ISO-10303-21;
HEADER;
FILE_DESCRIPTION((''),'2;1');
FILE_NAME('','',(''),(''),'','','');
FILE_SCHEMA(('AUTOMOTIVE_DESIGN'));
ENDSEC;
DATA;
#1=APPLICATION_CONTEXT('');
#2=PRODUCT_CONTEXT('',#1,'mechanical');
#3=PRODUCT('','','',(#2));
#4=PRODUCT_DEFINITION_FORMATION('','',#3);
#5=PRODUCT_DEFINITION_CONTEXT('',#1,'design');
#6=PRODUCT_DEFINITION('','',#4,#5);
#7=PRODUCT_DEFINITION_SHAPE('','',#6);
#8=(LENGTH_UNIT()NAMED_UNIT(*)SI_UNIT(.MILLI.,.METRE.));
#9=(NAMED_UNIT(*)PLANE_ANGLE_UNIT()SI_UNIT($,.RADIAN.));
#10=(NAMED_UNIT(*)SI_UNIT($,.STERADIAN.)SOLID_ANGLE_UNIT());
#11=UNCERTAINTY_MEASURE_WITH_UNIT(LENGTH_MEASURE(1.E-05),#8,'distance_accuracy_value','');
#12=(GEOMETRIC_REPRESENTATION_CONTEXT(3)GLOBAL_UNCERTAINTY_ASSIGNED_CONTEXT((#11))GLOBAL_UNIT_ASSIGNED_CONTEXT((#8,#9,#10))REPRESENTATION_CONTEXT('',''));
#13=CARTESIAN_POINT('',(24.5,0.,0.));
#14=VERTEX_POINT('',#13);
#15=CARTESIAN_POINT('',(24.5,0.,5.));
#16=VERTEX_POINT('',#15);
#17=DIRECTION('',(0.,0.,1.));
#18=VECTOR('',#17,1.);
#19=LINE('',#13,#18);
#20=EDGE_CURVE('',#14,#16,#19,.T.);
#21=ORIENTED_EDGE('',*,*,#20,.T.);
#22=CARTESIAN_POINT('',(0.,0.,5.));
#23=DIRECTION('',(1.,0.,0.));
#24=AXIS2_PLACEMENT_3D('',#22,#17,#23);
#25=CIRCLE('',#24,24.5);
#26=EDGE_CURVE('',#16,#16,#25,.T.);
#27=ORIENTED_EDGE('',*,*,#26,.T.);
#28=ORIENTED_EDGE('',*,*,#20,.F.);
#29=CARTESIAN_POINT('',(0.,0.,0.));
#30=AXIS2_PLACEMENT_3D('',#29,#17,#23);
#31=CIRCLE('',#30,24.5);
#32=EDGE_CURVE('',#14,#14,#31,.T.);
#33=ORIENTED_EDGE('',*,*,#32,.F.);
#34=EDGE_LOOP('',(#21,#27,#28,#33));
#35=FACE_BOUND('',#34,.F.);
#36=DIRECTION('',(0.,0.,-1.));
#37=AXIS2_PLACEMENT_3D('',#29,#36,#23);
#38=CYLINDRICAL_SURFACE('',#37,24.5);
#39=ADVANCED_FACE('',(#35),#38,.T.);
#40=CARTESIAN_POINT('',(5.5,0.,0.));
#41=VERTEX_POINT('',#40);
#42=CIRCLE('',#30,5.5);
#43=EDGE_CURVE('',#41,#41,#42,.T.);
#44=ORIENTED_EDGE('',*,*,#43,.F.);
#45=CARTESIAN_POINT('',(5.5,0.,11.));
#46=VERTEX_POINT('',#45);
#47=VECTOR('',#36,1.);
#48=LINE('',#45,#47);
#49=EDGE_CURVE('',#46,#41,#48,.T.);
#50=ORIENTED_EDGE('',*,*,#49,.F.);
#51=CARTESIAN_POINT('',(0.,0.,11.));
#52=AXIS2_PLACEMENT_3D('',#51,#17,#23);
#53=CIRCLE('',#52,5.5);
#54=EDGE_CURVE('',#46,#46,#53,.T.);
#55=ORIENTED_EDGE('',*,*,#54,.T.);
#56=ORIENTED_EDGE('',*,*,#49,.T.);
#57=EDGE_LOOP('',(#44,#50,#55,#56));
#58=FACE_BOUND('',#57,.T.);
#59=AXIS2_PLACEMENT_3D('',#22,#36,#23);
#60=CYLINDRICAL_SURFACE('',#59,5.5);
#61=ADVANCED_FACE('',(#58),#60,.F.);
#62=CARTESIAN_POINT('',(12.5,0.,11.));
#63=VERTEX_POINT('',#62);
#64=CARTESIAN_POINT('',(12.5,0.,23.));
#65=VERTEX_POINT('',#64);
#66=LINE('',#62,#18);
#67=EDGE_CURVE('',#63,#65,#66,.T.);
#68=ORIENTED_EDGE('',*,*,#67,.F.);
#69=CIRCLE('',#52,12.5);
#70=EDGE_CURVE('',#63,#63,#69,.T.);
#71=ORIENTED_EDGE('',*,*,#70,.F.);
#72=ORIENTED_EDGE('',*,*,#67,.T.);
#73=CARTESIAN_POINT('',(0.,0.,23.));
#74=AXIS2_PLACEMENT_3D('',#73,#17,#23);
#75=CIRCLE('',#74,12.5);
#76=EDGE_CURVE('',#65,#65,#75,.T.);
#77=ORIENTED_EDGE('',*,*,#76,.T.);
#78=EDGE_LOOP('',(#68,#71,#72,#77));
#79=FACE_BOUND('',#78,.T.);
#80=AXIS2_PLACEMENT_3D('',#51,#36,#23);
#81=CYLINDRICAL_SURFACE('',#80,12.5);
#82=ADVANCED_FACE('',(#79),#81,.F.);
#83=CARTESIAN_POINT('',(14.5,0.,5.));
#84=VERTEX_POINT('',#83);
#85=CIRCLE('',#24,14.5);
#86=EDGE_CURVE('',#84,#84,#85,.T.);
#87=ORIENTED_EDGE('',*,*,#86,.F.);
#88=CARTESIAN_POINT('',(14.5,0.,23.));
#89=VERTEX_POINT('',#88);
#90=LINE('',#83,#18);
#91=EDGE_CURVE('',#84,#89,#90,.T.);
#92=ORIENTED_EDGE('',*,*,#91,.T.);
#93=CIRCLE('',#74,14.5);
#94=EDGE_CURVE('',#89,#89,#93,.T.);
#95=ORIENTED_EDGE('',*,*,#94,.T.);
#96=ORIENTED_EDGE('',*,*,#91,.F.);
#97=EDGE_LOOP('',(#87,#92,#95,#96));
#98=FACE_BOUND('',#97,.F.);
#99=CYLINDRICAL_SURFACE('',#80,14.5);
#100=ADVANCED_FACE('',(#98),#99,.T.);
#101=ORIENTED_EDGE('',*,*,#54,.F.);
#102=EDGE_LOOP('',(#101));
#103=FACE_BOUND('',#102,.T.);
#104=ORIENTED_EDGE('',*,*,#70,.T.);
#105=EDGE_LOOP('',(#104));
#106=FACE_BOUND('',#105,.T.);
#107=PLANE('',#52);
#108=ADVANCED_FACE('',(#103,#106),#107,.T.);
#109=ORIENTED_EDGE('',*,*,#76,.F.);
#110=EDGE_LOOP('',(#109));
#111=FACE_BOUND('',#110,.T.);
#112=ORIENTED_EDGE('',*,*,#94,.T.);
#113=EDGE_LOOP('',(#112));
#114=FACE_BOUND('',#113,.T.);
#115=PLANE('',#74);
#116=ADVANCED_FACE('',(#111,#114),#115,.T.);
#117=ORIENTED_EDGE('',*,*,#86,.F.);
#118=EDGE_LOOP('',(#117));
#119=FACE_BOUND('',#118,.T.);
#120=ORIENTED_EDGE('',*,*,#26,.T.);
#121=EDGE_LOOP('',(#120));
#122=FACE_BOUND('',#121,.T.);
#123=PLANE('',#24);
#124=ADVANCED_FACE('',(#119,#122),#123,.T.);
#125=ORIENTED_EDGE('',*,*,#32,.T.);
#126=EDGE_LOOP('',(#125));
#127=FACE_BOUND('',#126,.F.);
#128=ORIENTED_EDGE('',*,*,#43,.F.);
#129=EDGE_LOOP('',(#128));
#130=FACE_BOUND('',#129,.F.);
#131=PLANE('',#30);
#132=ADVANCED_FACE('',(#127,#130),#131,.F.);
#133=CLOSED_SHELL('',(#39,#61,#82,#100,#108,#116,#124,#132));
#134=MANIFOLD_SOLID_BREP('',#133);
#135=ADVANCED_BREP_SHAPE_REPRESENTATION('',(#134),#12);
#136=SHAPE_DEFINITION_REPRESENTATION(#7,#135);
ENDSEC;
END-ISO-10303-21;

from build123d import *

# Parameters (mm, degrees)
F0_R     = 24.5
F0_R_2   = 5.5
F1_DEPTH = 5
F2_R     = 14.5
F2_R_2   = 5.5
F3_DEPTH = 6
F4_R     = 12.5
F4_R_2   = 10
F4_R_3   = 14.5
F5_DEPTH = 12


with BuildPart() as f1:
    # F0 (on Top) → F1 (new body)
    with BuildSketch(Plane.XY):
        Circle(F0_R)
        Circle(F0_R_2, mode=Mode.SUBTRACT)
    extrude(amount=F1_DEPTH)

    # F2 (on face) → F3 (join)
    with BuildSketch(Plane.XY.offset(5)):
        Circle(F2_R)
        Circle(F2_R_2, mode=Mode.SUBTRACT)
    extrude(amount=F3_DEPTH)

    # F4 (on face) → F5 (join)
    with BuildSketch(Plane.XY.offset(11)):
        Circle(F4_R)
        Circle(F4_R_2, mode=Mode.SUBTRACT)
        Circle(F4_R_3)
        Circle(F4_R, mode=Mode.SUBTRACT)
    extrude(amount=F5_DEPTH)


solid = f1.part
